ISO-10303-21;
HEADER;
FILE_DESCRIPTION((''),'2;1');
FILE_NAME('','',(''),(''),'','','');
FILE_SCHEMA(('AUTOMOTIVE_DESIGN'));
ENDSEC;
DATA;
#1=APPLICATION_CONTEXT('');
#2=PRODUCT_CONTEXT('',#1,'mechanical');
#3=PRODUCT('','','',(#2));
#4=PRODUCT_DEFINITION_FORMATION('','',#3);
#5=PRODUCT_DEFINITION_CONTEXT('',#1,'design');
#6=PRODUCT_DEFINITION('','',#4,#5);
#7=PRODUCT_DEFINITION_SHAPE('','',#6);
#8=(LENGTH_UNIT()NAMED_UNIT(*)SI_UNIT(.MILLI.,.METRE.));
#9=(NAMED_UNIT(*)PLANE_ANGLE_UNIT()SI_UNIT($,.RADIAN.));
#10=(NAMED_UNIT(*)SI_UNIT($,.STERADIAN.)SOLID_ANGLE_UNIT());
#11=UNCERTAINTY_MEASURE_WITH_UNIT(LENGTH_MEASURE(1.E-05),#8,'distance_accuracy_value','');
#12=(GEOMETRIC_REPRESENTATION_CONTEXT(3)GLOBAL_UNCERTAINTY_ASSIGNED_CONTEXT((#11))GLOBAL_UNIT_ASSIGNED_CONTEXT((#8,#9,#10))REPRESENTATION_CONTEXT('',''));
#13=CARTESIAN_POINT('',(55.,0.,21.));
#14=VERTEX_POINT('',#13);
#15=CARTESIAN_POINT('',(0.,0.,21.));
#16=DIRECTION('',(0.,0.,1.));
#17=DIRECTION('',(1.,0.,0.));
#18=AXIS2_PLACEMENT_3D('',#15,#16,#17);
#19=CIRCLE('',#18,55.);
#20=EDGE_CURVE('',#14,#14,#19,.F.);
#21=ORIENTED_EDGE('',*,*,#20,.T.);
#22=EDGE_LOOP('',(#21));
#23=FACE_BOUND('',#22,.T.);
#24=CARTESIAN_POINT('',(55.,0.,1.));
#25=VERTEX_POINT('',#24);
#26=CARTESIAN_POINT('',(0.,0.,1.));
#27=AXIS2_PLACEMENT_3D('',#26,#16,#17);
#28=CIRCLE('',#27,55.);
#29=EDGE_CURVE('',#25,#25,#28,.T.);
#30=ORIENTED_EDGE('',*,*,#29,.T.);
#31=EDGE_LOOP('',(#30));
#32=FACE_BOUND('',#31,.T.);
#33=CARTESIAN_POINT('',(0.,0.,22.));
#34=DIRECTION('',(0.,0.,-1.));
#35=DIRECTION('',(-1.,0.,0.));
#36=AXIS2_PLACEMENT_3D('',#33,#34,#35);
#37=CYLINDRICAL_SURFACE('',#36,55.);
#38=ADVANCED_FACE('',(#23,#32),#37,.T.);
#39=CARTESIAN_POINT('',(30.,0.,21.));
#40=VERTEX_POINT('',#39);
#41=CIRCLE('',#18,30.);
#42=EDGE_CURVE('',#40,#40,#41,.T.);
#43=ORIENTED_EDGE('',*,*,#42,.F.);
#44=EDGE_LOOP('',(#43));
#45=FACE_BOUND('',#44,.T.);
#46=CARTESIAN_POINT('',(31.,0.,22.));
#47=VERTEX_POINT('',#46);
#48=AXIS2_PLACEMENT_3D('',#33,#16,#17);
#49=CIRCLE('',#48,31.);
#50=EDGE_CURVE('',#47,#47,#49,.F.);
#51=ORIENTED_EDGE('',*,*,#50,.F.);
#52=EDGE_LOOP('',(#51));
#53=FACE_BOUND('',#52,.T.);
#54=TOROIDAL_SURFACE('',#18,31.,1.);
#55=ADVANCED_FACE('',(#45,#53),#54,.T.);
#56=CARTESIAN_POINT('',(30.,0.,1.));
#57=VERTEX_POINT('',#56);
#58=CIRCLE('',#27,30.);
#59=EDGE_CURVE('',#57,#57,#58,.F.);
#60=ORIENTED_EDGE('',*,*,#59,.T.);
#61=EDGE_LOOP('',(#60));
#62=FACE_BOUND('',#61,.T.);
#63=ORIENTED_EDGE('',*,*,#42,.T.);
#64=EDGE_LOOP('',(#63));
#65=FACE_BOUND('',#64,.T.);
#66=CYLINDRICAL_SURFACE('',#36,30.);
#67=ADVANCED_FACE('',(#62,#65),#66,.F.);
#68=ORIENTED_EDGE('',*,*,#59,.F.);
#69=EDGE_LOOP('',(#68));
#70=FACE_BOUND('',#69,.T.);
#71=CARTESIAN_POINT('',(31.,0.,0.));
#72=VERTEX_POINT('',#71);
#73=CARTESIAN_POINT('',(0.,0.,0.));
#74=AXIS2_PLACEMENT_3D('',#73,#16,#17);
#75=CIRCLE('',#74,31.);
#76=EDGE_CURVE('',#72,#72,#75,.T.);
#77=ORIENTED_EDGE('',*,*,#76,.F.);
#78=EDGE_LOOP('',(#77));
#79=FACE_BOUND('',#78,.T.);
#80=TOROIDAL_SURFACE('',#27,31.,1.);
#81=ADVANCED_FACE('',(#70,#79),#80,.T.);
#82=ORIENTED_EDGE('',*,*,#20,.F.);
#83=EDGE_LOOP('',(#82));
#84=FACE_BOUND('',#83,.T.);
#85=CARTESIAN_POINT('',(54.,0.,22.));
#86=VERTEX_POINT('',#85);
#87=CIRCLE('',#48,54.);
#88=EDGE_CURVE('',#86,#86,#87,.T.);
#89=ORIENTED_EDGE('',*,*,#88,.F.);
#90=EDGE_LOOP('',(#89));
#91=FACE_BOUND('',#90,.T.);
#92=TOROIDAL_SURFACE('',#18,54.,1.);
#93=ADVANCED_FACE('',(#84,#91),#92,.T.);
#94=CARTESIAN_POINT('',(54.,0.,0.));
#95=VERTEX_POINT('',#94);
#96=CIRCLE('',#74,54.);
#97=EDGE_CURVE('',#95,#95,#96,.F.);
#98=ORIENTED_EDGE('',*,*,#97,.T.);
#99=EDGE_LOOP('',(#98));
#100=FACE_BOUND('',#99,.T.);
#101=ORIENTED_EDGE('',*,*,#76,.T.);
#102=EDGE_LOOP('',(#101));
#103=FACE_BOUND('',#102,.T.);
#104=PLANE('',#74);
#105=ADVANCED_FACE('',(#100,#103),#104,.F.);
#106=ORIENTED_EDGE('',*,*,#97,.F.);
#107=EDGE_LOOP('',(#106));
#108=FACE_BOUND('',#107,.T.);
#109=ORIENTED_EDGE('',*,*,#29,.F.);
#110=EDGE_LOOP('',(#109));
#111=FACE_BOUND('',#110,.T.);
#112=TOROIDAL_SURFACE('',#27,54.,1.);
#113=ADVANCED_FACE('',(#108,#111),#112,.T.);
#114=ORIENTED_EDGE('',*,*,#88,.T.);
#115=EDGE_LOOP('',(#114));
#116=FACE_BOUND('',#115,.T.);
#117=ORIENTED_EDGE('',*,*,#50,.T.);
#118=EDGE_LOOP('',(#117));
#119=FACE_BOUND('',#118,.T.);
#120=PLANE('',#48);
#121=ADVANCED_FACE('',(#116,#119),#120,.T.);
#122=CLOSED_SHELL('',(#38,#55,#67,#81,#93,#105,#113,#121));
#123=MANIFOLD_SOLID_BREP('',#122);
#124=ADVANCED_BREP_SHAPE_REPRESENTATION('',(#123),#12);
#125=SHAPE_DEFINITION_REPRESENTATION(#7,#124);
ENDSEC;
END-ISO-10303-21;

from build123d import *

# Parameters (mm, degrees)
IZIM1_R                     = 55
IZIM1_R_2                   = 30
Y_KSEKLIK_EKSTR_ZYON1_DEPTH = 22
RADYUS1_R                   = 1


with BuildPart() as part:
    # Çizim1 → Yükseklik-Ekstrüzyon1 (new body)
    with BuildSketch(Plane.XY):
        Circle(IZIM1_R)
        Circle(IZIM1_R_2, mode=Mode.SUBTRACT)
    extrude(amount=Y_KSEKLIK_EKSTR_ZYON1_DEPTH)

    # Radyus1
    radyus1_edges = [part.edges().sort_by_distance(p)[0] for p in [
        (-55, 0, 0),
        (-55, 0, 22),
        (-30, 0, 0),
        (-30, 0, 22),
    ]]
    fillet(radyus1_edges, radius=RADYUS1_R)


solid = part.part
